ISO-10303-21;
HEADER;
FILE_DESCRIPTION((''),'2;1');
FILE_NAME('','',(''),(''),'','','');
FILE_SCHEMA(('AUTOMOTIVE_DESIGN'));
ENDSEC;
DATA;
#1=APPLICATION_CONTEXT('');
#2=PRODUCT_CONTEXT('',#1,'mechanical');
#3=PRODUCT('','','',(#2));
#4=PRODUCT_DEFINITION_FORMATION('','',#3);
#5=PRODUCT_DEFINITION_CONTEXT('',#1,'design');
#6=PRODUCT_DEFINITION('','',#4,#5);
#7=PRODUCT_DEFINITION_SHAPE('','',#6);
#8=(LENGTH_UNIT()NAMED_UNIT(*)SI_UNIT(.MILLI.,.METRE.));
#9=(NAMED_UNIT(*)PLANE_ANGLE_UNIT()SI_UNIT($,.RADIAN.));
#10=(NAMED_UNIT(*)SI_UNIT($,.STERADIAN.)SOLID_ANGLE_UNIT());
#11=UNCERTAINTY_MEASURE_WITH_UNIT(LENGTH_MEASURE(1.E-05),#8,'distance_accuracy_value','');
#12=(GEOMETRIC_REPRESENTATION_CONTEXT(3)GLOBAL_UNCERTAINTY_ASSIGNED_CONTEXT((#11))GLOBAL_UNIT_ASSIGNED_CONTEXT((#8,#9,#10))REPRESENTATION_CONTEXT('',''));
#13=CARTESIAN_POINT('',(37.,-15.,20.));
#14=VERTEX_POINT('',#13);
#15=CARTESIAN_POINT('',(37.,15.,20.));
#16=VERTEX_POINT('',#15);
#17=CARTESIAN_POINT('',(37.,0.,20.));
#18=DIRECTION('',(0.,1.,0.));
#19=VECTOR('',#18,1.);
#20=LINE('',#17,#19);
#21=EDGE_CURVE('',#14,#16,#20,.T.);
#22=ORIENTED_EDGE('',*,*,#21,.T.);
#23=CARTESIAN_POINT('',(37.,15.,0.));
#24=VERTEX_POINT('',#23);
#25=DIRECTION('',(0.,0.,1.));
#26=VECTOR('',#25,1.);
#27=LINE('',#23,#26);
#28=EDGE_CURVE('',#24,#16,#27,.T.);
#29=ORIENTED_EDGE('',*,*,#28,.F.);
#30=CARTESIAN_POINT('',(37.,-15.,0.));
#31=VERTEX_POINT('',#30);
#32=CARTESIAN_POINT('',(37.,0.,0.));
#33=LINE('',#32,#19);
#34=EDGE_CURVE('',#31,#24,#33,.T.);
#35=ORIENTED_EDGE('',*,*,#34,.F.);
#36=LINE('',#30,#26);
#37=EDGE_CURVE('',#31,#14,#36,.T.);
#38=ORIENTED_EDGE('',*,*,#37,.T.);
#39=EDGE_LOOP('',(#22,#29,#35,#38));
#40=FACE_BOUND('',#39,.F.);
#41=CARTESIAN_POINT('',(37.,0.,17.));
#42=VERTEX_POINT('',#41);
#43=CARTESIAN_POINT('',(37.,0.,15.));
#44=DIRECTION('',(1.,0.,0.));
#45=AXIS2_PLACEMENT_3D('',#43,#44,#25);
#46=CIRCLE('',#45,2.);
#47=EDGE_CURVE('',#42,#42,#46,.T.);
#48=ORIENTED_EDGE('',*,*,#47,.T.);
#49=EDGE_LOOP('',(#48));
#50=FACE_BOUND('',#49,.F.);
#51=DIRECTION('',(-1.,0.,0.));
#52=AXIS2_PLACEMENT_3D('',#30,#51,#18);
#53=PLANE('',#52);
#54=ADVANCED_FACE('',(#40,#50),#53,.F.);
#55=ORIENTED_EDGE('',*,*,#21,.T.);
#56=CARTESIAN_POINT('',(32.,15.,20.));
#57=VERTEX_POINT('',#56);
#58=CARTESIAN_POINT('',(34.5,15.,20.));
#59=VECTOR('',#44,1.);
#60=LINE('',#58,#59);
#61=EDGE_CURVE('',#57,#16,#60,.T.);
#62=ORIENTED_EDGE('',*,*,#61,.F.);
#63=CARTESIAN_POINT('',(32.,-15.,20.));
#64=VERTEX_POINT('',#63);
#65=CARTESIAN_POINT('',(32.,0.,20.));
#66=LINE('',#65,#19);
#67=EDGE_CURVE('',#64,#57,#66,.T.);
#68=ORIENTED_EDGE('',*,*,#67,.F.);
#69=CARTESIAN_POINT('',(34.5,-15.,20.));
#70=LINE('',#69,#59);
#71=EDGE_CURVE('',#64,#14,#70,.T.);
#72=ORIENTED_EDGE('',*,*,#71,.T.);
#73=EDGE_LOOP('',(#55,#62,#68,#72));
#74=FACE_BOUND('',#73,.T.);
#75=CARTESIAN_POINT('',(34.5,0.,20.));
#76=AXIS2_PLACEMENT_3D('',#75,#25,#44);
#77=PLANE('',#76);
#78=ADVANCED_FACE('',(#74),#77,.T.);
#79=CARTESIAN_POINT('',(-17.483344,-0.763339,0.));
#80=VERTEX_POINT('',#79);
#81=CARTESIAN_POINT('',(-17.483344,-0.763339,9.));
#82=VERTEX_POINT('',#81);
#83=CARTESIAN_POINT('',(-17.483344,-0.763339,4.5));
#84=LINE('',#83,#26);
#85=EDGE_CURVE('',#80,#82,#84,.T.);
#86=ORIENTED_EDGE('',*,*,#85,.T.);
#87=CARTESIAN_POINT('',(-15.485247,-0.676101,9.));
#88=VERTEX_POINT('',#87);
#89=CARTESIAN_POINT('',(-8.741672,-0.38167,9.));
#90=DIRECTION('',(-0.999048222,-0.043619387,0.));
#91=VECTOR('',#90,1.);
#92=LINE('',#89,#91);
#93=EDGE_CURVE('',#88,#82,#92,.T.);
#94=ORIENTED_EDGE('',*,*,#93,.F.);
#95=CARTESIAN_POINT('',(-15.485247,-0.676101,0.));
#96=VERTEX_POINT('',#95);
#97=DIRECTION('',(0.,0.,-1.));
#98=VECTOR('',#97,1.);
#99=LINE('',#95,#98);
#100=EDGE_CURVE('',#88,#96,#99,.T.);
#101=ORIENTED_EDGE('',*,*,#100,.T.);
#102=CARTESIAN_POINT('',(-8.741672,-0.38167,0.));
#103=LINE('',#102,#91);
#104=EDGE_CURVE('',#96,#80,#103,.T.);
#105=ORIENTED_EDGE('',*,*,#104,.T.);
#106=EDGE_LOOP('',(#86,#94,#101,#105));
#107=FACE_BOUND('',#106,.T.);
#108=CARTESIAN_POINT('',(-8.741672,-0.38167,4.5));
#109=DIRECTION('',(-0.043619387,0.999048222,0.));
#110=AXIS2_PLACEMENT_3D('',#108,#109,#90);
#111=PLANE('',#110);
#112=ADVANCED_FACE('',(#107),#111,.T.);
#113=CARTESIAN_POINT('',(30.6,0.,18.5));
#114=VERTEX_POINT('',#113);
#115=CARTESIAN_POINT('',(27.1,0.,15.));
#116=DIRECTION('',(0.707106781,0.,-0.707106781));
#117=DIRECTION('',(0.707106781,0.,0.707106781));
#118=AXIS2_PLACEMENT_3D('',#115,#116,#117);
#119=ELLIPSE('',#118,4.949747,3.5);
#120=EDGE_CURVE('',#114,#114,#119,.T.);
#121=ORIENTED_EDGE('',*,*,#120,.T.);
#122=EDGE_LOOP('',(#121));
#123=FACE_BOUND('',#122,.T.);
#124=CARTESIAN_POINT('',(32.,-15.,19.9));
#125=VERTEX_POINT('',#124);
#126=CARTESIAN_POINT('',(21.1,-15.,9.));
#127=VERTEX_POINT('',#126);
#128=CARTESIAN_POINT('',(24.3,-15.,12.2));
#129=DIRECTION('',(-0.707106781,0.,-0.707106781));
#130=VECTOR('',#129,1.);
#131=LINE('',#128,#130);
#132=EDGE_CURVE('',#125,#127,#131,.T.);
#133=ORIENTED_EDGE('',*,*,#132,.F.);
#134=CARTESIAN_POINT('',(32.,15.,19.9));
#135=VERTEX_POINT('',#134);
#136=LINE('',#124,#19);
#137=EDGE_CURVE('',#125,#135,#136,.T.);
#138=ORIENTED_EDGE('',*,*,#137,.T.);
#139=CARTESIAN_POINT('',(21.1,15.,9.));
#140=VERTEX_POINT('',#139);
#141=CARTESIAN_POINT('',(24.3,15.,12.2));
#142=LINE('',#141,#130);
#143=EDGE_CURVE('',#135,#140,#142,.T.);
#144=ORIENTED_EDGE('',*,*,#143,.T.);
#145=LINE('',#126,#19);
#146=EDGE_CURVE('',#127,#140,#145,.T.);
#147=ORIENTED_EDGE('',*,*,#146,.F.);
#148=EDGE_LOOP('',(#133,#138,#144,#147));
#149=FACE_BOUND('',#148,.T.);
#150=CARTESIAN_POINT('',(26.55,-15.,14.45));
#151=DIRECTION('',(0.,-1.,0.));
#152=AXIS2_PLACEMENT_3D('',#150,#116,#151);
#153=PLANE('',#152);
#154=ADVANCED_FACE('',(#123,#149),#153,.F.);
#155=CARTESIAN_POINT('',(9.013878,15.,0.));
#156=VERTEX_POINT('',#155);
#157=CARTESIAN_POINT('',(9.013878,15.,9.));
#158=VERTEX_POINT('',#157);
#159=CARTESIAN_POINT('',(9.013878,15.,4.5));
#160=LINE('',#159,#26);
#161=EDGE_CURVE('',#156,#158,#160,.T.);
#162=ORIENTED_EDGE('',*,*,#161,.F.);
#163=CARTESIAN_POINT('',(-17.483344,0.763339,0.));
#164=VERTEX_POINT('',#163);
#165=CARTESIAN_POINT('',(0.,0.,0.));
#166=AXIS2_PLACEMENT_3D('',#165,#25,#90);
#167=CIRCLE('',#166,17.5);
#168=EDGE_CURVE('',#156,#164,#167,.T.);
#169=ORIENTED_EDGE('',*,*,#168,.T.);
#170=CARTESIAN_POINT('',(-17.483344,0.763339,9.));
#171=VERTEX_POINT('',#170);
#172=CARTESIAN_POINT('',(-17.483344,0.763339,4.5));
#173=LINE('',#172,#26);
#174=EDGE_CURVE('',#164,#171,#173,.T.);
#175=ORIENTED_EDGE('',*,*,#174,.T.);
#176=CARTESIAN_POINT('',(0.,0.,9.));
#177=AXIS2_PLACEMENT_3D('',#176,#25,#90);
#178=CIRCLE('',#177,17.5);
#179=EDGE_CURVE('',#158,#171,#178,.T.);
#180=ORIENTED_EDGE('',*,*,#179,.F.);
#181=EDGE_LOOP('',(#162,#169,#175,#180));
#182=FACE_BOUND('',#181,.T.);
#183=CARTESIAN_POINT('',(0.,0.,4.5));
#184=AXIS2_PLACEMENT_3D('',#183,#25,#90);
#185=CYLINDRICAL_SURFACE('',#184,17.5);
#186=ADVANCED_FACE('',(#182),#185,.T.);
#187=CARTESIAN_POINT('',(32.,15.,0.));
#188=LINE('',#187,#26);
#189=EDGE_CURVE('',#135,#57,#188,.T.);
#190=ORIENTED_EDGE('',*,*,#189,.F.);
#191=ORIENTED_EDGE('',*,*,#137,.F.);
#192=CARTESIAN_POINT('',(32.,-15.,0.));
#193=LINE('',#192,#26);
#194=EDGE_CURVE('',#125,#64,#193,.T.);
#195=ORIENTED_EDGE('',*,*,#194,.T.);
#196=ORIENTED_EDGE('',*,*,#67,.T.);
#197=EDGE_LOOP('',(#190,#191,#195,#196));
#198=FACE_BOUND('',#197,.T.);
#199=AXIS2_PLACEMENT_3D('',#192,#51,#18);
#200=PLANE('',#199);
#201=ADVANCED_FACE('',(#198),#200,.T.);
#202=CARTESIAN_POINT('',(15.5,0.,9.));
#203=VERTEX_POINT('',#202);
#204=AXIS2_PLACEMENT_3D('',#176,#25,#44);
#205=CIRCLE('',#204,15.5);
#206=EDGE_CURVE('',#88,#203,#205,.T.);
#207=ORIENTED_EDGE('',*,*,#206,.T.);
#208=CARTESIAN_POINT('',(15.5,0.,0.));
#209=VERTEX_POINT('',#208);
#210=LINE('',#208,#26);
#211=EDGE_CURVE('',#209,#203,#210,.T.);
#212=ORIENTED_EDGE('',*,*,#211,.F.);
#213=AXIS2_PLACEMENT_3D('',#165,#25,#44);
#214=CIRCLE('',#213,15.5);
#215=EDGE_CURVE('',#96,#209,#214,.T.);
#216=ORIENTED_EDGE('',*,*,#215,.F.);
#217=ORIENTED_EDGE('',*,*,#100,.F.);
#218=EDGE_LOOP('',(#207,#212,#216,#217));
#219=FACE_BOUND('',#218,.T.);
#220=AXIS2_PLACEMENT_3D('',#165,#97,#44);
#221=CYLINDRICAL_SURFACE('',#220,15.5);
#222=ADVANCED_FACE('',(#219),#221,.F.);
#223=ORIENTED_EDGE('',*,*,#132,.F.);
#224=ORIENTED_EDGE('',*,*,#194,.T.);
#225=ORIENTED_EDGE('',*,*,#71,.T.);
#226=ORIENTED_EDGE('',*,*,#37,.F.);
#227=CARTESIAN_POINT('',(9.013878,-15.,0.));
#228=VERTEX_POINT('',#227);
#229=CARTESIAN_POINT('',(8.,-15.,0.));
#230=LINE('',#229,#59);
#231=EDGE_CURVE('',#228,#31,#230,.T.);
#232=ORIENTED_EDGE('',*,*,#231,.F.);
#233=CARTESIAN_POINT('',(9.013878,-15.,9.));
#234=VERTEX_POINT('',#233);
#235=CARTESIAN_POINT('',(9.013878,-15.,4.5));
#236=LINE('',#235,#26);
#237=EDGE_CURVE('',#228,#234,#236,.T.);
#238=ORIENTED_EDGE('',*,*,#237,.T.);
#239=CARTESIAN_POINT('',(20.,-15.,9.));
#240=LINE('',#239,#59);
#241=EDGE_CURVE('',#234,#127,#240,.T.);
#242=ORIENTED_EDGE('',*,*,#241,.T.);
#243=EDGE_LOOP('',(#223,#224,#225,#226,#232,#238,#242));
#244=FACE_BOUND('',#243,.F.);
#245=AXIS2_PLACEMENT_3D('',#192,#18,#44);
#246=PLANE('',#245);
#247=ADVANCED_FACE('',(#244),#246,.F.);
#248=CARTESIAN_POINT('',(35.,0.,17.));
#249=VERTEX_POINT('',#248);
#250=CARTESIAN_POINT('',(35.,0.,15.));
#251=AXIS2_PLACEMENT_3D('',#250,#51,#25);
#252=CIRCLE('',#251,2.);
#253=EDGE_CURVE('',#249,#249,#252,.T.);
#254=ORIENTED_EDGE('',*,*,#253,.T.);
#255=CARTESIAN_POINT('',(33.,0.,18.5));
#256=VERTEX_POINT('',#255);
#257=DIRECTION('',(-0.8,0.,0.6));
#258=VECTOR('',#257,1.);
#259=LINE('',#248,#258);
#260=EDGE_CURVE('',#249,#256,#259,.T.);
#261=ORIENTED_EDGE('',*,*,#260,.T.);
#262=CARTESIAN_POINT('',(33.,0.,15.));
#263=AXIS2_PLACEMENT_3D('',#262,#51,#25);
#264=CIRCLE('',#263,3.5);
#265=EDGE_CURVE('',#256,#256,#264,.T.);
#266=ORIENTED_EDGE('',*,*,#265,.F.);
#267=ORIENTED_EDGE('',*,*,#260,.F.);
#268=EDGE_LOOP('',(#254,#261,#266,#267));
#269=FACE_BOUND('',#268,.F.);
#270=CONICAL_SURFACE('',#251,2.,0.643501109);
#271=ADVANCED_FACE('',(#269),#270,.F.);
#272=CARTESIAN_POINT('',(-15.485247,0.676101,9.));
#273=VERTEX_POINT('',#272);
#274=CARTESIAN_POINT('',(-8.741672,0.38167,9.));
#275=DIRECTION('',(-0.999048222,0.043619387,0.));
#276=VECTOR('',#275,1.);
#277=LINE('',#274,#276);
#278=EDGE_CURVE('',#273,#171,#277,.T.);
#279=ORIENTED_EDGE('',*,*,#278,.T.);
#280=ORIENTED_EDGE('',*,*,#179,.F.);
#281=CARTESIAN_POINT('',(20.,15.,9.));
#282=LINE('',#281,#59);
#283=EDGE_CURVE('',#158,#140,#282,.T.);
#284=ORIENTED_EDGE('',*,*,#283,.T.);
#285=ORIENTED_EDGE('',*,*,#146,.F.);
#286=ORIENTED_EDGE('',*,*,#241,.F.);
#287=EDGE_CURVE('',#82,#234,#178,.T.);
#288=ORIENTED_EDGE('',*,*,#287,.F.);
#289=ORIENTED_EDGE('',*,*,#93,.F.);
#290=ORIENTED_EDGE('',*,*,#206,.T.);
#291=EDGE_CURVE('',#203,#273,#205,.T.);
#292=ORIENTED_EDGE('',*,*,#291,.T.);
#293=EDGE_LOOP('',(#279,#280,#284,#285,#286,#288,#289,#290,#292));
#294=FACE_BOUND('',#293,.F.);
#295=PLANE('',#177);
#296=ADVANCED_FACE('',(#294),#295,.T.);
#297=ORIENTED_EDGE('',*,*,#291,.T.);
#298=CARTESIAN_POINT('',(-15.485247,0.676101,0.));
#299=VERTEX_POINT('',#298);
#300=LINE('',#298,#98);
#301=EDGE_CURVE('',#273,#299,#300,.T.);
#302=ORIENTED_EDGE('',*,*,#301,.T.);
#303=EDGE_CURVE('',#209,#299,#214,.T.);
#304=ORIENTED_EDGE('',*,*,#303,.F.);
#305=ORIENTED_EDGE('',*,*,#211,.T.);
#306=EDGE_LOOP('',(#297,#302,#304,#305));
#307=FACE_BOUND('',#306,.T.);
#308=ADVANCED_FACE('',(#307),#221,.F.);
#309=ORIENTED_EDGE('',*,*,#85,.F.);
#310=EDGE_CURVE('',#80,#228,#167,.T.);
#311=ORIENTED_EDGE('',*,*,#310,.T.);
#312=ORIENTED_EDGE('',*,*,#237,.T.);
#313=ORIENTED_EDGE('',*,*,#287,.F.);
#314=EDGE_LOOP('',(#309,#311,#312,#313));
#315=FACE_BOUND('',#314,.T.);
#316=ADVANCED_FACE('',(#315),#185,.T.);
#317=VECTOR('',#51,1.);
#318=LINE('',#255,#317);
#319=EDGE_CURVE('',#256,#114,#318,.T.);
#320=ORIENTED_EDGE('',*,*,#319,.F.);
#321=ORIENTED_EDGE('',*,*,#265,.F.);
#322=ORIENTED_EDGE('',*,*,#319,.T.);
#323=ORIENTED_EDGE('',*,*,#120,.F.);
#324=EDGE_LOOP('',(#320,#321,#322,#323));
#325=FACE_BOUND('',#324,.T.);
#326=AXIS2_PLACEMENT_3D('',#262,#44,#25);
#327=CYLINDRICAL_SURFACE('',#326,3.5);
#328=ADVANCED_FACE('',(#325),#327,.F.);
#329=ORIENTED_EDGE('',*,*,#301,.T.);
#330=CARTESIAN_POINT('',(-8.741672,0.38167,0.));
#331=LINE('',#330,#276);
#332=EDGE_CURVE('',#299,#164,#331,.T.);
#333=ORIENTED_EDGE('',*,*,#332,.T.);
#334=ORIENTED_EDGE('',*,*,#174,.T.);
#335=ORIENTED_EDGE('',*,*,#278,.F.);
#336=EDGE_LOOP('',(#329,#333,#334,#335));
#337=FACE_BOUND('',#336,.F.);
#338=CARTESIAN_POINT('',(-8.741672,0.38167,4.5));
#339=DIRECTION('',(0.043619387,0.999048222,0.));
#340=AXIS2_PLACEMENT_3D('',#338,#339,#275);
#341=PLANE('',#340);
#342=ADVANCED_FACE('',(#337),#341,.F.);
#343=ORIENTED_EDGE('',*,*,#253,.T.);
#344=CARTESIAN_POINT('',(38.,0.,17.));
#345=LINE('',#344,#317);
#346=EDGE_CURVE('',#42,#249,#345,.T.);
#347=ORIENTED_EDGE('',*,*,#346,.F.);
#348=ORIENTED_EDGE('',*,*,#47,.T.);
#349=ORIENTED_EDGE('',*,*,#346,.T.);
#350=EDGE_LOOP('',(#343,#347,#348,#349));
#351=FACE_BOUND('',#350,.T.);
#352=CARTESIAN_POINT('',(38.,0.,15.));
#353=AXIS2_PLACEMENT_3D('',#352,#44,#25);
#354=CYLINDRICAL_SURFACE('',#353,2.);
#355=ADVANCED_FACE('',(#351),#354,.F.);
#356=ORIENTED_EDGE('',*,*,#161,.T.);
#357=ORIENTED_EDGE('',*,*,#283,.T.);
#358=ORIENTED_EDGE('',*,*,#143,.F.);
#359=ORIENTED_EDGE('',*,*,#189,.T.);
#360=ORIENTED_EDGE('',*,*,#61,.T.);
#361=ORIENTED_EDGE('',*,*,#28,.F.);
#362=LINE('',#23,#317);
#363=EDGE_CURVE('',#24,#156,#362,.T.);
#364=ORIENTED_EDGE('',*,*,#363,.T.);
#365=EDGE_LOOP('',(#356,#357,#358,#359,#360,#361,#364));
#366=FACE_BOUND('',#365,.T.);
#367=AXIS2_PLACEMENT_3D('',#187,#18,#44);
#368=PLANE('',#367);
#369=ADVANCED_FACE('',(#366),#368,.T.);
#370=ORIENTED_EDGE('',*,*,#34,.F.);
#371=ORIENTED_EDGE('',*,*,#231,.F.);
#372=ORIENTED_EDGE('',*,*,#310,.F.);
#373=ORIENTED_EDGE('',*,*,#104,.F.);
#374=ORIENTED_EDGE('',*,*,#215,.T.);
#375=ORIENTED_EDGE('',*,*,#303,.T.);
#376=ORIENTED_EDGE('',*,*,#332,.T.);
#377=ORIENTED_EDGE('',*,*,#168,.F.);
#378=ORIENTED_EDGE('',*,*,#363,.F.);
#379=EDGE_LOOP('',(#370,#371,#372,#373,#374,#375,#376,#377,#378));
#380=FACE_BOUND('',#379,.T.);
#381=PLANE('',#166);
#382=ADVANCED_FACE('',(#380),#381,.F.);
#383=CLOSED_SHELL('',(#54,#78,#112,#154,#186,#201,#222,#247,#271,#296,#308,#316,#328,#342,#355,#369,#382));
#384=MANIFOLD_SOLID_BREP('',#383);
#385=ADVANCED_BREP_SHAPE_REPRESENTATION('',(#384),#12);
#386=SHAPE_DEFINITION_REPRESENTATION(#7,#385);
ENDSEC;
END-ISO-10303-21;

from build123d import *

# Parameters (mm, degrees)
CYLINDER003_R               = 3.5
CYLINDER003_DEPTH           = 10
CYLINDER002_R               = 2
CYLINDER002_DEPTH           = 10
FUSION_PITCH_ANGLE          = -90
CYLINDER_R                  = 15.5
CYLINDER_DEPTH              = 9
CYLINDER001_W               = 17.5
CYLINDER001_H               = 9
CYLINDER001_ANGLE           = 355
CYLINDER001_PLACEMENT_ANGLE = 182.5
BOX001_W                    = 5
BOX001_H                    = 30
BOX001_DEPTH                = 20
BOX_W                       = 24
BOX_H                       = 30
BOX_DEPTH                   = 9
CHAMFER_SIZE                = 10.9


with BuildPart() as cylinder003:
    # Cylinder003 → Cylinder003 (new body)
    with BuildSketch(Plane(origin=(15, -5, 5), x_dir=(1, 0, 0), z_dir=(0, 0, 1))):
        Circle(CYLINDER003_R)
    extrude(amount=CYLINDER003_DEPTH)


with BuildPart() as cone:
    # Cone → Cone (revolve)
    with BuildSketch(Plane(origin=(15, -5, 3), x_dir=(1, 0, 0), z_dir=(0, -1, 0))):
        Polygon((0, 0), (2, 0), (3.5, 2), (0, 2), align=None)
    revolve(axis=Axis((15, -5, 3), (0, 0, 1)))


with BuildPart() as fusion:
    # Cylinder002 → Cylinder002 (new body)
    with BuildSketch(Plane(origin=(15, -5, 0), x_dir=(1, 0, 0), z_dir=(0, 0, 1))):
        Circle(CYLINDER002_R)
    extrude(amount=CYLINDER002_DEPTH)

    # Fusion: union Cylinder003, Cone
    add(cylinder003.part)
    add(cone.part)


with BuildPart() as fusion_1:
    # Fusion pitch: moved
    add(fusion.part.rotate(Axis((0, 0, 0), (0, 1, 0)), FUSION_PITCH_ANGLE))


with BuildPart() as fusion_2:
    # Fusion placement: moved
    add(fusion_1.part.moved(Location((38, 5, 0))))


with BuildPart() as fusion002:
    # Cylinder → Cylinder (new body)
    with BuildSketch(Plane.XY):
        Circle(CYLINDER_R)
    extrude(amount=CYLINDER_DEPTH)

    # Fusion002: union Fusion
    add(fusion_2.part)


with BuildPart() as cylinder001:
    # Cylinder001 → Cylinder001 (revolve)
    with BuildSketch(Plane.XZ):
        with Locations((8.75, 4.5)):
            Rectangle(CYLINDER001_W, CYLINDER001_H)
    revolve(axis=Axis((0, 0, 0), (0, 0, 1)), revolution_arc=CYLINDER001_ANGLE)


with BuildPart() as cylinder001_1:
    # Cylinder001 placement: moved
    add(cylinder001.part.rotate(Axis((0, 0, 0), (0, 0, 1)), CYLINDER001_PLACEMENT_ANGLE))


with BuildPart() as cube001:
    # Box001 → Box001 (new body)
    with BuildSketch(Plane(origin=(32, -15, 0), x_dir=(1, 0, 0), z_dir=(0, 0, 1))):
        with Locations((2.5, 15)):
            Rectangle(BOX001_W, BOX001_H)
    extrude(amount=BOX001_DEPTH)


with BuildPart() as cut:
    # Box → Box (new body)
    with BuildSketch(Plane(origin=(8, -15, 0), x_dir=(1, 0, 0), z_dir=(0, 0, 1))):
        with Locations((12, 15)):
            Rectangle(BOX_W, BOX_H)
    extrude(amount=BOX_DEPTH)

    # Fusion003: union Cube001
    add(cube001.part)

    # Chamfer
    chamfer_edges = [cut.edges().sort_by_distance(p)[0] for p in [
        (32, 0, 9),
    ]]
    chamfer(chamfer_edges, length=CHAMFER_SIZE)

    # Fusion004: union Cylinder001
    add(cylinder001_1.part)

    # Cut: cut Fusion002
    add(fusion002.part, mode=Mode.SUBTRACT)


solid = cut.part
